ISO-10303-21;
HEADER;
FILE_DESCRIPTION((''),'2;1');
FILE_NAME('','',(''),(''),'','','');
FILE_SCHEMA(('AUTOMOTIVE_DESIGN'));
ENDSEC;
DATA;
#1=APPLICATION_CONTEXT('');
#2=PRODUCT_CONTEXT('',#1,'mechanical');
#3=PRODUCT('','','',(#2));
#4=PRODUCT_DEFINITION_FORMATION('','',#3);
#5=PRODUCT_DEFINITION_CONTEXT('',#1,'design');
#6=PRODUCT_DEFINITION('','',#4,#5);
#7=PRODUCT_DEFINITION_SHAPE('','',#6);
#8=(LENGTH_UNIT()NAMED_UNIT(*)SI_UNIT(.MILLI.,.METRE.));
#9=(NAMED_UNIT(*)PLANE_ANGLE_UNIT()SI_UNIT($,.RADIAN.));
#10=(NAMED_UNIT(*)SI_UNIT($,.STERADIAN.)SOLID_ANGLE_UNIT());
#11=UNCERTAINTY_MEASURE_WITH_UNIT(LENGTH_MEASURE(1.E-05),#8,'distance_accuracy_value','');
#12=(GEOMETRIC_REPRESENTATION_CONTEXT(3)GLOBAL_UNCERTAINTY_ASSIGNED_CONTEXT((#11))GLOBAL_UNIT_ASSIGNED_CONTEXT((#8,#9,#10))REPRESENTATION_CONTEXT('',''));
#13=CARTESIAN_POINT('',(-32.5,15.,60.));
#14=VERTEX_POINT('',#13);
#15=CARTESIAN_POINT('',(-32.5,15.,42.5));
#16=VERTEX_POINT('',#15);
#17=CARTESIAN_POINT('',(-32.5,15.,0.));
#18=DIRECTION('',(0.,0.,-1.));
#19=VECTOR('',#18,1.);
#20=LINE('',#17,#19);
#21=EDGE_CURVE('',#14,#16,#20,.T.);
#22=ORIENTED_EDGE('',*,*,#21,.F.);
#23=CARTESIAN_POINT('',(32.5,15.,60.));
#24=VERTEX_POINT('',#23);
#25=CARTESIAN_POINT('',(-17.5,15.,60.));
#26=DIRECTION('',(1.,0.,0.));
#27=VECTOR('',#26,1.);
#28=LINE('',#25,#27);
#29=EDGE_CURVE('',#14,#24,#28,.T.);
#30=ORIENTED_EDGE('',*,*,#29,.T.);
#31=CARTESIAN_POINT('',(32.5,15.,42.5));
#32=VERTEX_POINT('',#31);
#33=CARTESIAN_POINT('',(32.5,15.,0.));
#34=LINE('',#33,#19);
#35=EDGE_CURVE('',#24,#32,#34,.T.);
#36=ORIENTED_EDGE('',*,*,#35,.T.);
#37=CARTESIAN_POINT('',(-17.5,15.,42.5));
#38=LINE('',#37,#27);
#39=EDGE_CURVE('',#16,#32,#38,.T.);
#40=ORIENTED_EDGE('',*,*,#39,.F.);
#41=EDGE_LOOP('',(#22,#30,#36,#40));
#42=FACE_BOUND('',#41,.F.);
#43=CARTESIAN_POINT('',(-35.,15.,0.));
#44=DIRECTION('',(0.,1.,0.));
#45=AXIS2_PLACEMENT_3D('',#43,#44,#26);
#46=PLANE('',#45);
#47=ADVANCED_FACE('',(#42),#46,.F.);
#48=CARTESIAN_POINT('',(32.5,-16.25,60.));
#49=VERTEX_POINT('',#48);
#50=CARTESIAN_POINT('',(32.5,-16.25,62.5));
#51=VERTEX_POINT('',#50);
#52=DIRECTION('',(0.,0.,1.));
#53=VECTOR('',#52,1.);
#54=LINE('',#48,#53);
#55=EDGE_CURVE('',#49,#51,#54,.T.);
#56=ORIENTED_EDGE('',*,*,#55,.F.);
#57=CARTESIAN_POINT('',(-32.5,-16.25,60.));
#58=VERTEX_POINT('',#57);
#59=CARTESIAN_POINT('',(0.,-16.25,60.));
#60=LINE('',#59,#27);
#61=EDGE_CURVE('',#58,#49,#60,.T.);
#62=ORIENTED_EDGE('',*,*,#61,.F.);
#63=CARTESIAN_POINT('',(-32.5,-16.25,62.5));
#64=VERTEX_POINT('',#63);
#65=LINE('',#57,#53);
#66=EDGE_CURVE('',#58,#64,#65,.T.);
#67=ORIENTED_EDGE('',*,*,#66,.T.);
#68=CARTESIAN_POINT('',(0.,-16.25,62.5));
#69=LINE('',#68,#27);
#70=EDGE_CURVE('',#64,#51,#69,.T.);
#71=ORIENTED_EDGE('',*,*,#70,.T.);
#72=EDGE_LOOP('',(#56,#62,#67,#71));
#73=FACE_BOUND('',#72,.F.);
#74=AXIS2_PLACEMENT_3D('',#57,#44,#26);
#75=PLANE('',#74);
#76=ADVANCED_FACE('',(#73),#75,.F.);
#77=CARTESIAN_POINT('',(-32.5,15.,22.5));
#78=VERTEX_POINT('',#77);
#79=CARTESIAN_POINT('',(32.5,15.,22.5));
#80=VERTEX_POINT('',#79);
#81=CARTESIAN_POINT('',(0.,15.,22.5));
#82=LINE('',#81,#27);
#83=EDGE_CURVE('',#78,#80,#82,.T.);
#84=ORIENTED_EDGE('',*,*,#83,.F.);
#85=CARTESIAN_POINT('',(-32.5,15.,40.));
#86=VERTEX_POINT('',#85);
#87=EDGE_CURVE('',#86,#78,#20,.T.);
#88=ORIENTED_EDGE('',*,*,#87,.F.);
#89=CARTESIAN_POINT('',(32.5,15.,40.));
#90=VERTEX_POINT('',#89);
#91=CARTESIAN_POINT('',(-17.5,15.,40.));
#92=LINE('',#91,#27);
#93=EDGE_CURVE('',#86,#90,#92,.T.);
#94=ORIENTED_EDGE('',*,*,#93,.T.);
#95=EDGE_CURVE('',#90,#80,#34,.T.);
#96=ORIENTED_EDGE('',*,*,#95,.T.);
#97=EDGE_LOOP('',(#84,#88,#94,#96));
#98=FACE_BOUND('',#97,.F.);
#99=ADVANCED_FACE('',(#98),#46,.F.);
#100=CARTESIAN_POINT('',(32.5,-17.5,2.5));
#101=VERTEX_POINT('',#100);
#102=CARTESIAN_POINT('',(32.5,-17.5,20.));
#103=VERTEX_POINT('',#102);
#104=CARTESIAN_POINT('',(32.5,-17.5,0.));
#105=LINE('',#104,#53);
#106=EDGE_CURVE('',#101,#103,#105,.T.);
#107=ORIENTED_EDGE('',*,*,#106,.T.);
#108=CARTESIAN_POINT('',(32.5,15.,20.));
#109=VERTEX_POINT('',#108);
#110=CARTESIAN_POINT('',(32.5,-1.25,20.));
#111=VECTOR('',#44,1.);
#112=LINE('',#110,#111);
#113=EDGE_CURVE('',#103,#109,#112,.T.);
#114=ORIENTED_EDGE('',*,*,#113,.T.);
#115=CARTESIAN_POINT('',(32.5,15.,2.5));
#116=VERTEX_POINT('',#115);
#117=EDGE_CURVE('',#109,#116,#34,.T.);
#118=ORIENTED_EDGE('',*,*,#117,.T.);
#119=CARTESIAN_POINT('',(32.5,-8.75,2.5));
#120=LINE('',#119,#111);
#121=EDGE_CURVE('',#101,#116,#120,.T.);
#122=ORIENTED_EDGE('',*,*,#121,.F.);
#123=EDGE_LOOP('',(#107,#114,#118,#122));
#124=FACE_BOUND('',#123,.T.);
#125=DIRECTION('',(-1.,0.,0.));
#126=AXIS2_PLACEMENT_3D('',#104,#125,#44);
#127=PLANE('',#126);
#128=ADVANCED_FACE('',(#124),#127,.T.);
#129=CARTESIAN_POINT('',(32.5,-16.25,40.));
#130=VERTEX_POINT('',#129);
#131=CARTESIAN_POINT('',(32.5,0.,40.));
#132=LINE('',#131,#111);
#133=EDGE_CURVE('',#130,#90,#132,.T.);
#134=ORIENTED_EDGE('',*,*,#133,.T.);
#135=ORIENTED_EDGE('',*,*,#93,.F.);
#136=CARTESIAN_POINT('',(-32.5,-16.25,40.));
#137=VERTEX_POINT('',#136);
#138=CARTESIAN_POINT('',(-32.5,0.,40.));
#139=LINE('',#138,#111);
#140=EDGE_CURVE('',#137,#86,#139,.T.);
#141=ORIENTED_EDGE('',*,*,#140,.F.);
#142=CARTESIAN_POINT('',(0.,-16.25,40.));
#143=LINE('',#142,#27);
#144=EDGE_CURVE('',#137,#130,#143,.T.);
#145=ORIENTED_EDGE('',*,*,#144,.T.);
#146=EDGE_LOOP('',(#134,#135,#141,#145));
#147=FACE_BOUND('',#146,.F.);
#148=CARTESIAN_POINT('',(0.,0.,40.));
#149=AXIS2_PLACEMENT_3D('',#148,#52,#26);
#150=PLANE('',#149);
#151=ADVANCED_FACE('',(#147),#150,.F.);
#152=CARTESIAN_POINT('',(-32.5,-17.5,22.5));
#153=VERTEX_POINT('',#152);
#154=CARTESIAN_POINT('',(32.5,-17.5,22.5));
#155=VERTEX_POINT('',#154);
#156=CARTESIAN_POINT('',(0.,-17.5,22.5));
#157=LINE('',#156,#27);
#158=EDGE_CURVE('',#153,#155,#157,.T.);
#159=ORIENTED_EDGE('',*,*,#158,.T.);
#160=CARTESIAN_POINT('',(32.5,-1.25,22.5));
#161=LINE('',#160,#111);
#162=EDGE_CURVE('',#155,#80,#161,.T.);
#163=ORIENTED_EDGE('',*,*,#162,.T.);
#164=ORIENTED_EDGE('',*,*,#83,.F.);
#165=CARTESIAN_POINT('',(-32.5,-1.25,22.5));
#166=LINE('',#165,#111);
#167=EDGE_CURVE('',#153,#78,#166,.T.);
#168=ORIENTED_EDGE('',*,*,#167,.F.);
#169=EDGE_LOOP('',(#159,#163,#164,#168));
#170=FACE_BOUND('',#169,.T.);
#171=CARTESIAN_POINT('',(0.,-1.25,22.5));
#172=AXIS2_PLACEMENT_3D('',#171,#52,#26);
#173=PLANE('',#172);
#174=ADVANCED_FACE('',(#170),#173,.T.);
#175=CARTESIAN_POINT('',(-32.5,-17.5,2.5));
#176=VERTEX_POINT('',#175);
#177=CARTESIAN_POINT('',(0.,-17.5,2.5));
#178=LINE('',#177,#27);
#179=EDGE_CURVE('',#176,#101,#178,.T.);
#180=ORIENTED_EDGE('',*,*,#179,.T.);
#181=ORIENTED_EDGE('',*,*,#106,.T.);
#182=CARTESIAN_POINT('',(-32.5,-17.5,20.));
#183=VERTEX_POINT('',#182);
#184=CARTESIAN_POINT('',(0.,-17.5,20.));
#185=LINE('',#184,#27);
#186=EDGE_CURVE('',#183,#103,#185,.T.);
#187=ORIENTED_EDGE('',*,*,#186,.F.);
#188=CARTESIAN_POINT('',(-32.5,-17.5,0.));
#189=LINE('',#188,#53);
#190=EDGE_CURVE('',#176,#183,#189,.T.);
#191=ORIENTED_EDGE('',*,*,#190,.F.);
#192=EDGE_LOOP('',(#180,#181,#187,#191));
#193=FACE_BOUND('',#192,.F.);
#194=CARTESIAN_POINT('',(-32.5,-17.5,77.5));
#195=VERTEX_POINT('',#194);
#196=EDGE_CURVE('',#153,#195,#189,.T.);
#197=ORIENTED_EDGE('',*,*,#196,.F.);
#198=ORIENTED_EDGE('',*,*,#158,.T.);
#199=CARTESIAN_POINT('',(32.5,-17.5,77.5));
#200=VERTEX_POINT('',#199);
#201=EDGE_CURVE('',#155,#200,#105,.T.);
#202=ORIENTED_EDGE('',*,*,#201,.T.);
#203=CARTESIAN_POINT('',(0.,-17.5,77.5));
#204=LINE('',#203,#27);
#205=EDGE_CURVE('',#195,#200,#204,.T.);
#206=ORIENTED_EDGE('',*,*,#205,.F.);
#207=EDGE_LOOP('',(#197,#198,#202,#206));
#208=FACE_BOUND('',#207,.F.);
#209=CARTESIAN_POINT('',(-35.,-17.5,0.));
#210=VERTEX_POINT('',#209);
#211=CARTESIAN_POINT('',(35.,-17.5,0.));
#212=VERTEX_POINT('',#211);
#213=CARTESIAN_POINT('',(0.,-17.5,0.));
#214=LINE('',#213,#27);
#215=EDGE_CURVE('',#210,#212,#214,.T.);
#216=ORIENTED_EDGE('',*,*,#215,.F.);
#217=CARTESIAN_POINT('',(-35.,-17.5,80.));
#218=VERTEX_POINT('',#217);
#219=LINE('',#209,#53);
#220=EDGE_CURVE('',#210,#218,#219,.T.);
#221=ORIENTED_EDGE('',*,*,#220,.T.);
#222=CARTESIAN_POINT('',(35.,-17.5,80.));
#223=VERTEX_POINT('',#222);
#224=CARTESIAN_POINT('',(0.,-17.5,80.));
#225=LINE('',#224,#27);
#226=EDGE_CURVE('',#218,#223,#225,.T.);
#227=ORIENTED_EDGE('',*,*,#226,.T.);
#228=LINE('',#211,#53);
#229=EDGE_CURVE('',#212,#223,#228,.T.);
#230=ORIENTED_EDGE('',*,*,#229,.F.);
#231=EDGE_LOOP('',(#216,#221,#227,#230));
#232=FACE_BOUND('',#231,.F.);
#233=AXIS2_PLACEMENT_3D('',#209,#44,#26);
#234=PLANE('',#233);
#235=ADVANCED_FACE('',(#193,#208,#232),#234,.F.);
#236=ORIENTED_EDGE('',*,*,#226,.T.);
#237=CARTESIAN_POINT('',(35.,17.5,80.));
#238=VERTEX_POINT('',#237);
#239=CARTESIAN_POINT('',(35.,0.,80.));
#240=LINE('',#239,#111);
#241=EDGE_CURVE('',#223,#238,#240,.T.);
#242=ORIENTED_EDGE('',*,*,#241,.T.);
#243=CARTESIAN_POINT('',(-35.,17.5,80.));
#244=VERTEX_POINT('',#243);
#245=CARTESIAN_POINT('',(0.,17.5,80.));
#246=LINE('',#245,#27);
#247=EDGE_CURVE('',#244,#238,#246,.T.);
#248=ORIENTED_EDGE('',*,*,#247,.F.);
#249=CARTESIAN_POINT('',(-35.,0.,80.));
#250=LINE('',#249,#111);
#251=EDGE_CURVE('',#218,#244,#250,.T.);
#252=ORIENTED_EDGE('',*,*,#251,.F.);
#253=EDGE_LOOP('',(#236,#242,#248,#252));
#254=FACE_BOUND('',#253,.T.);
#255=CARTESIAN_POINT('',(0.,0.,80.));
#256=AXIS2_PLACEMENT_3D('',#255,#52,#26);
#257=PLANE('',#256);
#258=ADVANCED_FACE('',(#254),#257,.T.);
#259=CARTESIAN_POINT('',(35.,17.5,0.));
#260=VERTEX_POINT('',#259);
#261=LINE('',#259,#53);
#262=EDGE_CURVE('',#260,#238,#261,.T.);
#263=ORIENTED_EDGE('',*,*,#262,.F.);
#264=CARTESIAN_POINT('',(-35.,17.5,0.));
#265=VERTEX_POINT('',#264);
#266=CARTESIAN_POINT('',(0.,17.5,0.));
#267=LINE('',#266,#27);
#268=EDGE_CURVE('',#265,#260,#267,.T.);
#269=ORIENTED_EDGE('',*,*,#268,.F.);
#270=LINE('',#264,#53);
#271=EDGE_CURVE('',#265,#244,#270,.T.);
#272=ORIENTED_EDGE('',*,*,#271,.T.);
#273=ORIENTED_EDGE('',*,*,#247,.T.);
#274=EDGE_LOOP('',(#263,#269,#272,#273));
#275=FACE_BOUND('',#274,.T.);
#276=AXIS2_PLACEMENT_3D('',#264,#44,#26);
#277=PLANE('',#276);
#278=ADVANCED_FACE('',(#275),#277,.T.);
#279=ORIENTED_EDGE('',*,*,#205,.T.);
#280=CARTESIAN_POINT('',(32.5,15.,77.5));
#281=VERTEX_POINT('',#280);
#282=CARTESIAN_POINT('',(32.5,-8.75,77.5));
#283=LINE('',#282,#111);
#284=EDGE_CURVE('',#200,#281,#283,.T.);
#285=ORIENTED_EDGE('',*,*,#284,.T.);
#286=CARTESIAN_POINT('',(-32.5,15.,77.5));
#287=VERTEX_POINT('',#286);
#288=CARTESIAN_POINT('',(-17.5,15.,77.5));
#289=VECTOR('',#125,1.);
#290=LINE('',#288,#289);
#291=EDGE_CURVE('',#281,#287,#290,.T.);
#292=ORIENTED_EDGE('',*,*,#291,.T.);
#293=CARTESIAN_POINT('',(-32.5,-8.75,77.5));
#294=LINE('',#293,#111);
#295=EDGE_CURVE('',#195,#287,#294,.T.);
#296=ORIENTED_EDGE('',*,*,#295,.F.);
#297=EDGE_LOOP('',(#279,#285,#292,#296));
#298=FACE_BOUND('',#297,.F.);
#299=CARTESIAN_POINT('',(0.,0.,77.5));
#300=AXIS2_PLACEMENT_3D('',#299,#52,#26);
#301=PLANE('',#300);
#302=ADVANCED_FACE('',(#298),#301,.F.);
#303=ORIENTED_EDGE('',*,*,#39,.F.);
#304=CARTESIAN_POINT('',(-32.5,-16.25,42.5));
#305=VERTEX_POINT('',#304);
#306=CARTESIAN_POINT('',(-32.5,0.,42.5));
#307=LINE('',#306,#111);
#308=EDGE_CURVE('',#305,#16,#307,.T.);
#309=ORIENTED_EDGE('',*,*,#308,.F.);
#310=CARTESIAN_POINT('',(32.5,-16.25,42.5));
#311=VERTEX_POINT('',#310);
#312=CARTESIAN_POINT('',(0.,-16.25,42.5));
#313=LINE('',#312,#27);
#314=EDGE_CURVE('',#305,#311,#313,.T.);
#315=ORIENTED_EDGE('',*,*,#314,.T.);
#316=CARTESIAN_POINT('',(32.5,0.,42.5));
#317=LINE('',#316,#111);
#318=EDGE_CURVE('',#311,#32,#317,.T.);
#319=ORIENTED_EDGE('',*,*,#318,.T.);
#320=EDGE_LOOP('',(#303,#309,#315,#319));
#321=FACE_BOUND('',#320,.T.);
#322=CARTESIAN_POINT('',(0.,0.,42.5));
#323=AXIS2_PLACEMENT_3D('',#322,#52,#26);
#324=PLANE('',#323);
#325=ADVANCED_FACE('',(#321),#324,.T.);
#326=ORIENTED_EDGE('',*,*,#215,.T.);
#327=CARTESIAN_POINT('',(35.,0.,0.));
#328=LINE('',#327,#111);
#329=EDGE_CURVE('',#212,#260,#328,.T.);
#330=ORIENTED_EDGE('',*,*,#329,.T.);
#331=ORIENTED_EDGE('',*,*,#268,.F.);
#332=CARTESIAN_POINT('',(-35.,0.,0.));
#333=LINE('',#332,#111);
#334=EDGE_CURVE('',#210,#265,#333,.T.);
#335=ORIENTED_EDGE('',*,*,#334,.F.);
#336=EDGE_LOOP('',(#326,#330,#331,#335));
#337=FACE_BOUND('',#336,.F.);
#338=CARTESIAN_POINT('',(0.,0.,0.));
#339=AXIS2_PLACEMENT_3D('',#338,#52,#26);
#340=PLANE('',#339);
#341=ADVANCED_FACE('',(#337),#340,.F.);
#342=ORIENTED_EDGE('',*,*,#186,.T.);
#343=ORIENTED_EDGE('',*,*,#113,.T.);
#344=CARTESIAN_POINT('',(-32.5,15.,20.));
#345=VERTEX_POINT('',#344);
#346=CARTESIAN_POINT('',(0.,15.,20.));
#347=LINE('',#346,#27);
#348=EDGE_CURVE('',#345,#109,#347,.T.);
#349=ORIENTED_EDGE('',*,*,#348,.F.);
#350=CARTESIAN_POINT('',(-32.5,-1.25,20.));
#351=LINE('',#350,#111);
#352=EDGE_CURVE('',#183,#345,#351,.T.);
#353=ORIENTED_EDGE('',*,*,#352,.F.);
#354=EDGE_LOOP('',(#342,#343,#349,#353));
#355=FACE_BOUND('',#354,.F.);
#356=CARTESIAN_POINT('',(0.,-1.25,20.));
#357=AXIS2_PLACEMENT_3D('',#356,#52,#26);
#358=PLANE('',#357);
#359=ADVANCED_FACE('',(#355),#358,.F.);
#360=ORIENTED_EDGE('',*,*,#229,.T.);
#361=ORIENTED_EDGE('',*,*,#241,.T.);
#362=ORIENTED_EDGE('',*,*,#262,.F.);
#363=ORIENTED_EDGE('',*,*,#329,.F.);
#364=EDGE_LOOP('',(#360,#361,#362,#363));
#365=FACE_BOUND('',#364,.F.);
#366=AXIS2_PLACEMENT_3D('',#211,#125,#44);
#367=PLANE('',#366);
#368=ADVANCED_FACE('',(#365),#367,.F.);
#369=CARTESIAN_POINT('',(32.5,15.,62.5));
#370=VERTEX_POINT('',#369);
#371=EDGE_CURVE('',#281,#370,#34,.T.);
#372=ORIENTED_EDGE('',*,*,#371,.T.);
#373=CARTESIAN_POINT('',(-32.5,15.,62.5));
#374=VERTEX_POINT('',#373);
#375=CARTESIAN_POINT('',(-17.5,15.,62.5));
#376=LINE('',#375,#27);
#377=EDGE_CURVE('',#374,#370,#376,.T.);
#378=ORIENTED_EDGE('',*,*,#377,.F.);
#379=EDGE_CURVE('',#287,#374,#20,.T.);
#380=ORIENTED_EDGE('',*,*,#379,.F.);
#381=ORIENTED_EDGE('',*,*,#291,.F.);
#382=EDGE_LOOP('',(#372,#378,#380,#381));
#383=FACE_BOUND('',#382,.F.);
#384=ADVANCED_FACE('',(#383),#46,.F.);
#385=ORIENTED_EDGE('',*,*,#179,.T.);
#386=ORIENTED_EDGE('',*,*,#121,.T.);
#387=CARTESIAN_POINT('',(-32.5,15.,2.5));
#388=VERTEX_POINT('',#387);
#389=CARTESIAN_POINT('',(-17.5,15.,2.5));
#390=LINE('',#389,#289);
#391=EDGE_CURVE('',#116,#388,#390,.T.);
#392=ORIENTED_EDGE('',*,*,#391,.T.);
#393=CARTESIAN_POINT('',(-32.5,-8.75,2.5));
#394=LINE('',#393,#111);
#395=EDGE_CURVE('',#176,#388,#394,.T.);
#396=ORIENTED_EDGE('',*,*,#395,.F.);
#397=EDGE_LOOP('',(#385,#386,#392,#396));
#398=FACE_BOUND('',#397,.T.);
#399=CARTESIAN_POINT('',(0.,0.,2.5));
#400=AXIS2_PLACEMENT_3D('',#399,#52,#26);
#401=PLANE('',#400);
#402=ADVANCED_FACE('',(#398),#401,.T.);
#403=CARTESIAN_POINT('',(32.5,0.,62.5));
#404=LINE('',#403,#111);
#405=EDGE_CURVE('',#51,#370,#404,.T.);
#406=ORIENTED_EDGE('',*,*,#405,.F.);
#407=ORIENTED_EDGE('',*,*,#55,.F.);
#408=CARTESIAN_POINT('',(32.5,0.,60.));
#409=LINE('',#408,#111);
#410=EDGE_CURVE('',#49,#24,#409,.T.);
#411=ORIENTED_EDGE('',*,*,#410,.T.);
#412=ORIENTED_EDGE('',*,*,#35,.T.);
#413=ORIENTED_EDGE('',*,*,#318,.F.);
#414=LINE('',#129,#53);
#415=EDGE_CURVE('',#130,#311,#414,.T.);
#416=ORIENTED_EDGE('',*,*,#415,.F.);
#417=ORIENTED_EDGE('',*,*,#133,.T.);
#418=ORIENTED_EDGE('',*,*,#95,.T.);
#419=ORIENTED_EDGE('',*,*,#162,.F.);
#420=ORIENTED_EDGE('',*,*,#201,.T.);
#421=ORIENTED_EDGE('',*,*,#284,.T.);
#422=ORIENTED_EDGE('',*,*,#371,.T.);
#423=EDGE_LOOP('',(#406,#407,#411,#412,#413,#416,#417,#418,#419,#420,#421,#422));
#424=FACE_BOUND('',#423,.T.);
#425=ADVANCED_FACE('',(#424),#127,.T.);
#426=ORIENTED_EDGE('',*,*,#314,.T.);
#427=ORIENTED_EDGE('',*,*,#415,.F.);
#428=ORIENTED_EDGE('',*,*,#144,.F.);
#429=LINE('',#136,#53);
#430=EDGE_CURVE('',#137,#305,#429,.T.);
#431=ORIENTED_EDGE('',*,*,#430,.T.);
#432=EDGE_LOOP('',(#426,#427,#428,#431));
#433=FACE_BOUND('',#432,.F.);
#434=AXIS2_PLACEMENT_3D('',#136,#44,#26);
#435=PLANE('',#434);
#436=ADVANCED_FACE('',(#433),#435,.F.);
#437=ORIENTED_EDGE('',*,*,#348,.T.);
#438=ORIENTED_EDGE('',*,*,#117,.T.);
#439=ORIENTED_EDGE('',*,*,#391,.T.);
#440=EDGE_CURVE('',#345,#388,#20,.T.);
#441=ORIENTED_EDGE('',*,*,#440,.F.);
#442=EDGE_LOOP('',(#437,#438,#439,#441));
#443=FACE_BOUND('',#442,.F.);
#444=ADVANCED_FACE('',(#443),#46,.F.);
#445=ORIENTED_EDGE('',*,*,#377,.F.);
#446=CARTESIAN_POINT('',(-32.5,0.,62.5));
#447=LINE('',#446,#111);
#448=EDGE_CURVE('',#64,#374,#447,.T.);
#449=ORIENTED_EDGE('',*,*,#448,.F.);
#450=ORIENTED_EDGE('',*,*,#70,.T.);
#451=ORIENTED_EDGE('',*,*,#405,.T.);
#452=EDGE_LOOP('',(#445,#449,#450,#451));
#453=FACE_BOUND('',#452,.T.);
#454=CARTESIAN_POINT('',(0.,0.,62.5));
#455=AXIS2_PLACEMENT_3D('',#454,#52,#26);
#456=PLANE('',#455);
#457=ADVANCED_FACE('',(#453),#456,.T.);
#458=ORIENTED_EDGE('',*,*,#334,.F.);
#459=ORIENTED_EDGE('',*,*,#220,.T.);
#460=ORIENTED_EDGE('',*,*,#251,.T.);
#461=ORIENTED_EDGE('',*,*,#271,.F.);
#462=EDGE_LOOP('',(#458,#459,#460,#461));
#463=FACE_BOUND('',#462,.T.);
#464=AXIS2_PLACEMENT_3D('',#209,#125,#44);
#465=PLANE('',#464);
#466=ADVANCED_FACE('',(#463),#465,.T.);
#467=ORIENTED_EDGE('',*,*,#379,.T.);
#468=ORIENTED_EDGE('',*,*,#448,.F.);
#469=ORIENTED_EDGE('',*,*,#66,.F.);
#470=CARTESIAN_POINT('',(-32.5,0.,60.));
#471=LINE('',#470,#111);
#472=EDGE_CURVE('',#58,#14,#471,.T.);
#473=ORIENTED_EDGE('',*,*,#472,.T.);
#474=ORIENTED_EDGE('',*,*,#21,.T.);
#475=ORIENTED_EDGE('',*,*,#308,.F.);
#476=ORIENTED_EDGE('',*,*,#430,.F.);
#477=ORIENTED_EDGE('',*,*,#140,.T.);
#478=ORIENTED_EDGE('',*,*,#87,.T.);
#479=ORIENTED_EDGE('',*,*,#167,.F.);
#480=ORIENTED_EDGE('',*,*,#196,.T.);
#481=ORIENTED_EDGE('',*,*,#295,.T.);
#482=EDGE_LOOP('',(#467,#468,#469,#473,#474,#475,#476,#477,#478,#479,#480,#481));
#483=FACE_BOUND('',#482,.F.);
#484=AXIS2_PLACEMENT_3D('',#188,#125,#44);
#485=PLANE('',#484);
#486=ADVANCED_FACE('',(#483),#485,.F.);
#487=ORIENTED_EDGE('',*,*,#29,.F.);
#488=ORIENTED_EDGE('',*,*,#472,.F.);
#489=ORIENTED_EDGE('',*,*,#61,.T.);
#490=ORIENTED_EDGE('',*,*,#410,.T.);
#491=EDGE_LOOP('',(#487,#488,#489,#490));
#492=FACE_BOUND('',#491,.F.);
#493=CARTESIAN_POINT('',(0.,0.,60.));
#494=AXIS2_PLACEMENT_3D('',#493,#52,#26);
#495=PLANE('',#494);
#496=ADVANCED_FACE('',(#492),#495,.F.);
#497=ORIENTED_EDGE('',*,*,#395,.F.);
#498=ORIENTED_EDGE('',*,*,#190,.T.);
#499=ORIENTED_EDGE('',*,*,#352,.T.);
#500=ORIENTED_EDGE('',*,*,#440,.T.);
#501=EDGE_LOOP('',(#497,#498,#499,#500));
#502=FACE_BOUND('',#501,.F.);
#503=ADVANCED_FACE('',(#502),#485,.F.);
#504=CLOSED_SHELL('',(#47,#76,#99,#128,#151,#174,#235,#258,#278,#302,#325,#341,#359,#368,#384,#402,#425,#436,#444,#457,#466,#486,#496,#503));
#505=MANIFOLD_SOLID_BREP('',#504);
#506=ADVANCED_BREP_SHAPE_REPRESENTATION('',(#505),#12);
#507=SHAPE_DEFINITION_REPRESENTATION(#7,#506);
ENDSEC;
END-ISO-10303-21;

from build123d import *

# Parameters (mm, degrees)
F0_W      = 70
F0_H      = 35
F1_DEPTH  = 80
F2_T      = -2.5
F4_W      = 65
F4_H      = 32.5
F5_DEPTH  = 2.5
F7_W      = 65
F7_H      = 32.5
F8_DEPTH  = 2.5
F10_W     = 65
F10_H     = 32.5
F11_DEPTH = 2.5


with BuildPart() as f1:
    # F0 (on Top) → F1 (new body)
    with BuildSketch(Plane.XY):
        Rectangle(F0_W, F0_H)
    extrude(amount=F1_DEPTH)

    # F2
    f2_openings = [f1.faces().sort_by_distance(p)[0] for p in [
        (0, -17.5, 40),
    ]]
    offset(amount=F2_T, openings=f2_openings)

    # F4 (on offset) → F5 (join)
    with BuildSketch(Plane.XY.offset(20)):
        with Locations((0, -1.25)):
            Rectangle(F4_W, F4_H)
    extrude(amount=F5_DEPTH)

    # F7 (on offset) → F8 (join)
    with BuildSketch(Plane.XY.offset(40)):
        Rectangle(F7_W, F7_H)
    extrude(amount=F8_DEPTH)

    # F10 (on offset) → F11 (join)
    with BuildSketch(Plane.XY.offset(60)):
        Rectangle(F10_W, F10_H)
    extrude(amount=F11_DEPTH)


solid = f1.part
